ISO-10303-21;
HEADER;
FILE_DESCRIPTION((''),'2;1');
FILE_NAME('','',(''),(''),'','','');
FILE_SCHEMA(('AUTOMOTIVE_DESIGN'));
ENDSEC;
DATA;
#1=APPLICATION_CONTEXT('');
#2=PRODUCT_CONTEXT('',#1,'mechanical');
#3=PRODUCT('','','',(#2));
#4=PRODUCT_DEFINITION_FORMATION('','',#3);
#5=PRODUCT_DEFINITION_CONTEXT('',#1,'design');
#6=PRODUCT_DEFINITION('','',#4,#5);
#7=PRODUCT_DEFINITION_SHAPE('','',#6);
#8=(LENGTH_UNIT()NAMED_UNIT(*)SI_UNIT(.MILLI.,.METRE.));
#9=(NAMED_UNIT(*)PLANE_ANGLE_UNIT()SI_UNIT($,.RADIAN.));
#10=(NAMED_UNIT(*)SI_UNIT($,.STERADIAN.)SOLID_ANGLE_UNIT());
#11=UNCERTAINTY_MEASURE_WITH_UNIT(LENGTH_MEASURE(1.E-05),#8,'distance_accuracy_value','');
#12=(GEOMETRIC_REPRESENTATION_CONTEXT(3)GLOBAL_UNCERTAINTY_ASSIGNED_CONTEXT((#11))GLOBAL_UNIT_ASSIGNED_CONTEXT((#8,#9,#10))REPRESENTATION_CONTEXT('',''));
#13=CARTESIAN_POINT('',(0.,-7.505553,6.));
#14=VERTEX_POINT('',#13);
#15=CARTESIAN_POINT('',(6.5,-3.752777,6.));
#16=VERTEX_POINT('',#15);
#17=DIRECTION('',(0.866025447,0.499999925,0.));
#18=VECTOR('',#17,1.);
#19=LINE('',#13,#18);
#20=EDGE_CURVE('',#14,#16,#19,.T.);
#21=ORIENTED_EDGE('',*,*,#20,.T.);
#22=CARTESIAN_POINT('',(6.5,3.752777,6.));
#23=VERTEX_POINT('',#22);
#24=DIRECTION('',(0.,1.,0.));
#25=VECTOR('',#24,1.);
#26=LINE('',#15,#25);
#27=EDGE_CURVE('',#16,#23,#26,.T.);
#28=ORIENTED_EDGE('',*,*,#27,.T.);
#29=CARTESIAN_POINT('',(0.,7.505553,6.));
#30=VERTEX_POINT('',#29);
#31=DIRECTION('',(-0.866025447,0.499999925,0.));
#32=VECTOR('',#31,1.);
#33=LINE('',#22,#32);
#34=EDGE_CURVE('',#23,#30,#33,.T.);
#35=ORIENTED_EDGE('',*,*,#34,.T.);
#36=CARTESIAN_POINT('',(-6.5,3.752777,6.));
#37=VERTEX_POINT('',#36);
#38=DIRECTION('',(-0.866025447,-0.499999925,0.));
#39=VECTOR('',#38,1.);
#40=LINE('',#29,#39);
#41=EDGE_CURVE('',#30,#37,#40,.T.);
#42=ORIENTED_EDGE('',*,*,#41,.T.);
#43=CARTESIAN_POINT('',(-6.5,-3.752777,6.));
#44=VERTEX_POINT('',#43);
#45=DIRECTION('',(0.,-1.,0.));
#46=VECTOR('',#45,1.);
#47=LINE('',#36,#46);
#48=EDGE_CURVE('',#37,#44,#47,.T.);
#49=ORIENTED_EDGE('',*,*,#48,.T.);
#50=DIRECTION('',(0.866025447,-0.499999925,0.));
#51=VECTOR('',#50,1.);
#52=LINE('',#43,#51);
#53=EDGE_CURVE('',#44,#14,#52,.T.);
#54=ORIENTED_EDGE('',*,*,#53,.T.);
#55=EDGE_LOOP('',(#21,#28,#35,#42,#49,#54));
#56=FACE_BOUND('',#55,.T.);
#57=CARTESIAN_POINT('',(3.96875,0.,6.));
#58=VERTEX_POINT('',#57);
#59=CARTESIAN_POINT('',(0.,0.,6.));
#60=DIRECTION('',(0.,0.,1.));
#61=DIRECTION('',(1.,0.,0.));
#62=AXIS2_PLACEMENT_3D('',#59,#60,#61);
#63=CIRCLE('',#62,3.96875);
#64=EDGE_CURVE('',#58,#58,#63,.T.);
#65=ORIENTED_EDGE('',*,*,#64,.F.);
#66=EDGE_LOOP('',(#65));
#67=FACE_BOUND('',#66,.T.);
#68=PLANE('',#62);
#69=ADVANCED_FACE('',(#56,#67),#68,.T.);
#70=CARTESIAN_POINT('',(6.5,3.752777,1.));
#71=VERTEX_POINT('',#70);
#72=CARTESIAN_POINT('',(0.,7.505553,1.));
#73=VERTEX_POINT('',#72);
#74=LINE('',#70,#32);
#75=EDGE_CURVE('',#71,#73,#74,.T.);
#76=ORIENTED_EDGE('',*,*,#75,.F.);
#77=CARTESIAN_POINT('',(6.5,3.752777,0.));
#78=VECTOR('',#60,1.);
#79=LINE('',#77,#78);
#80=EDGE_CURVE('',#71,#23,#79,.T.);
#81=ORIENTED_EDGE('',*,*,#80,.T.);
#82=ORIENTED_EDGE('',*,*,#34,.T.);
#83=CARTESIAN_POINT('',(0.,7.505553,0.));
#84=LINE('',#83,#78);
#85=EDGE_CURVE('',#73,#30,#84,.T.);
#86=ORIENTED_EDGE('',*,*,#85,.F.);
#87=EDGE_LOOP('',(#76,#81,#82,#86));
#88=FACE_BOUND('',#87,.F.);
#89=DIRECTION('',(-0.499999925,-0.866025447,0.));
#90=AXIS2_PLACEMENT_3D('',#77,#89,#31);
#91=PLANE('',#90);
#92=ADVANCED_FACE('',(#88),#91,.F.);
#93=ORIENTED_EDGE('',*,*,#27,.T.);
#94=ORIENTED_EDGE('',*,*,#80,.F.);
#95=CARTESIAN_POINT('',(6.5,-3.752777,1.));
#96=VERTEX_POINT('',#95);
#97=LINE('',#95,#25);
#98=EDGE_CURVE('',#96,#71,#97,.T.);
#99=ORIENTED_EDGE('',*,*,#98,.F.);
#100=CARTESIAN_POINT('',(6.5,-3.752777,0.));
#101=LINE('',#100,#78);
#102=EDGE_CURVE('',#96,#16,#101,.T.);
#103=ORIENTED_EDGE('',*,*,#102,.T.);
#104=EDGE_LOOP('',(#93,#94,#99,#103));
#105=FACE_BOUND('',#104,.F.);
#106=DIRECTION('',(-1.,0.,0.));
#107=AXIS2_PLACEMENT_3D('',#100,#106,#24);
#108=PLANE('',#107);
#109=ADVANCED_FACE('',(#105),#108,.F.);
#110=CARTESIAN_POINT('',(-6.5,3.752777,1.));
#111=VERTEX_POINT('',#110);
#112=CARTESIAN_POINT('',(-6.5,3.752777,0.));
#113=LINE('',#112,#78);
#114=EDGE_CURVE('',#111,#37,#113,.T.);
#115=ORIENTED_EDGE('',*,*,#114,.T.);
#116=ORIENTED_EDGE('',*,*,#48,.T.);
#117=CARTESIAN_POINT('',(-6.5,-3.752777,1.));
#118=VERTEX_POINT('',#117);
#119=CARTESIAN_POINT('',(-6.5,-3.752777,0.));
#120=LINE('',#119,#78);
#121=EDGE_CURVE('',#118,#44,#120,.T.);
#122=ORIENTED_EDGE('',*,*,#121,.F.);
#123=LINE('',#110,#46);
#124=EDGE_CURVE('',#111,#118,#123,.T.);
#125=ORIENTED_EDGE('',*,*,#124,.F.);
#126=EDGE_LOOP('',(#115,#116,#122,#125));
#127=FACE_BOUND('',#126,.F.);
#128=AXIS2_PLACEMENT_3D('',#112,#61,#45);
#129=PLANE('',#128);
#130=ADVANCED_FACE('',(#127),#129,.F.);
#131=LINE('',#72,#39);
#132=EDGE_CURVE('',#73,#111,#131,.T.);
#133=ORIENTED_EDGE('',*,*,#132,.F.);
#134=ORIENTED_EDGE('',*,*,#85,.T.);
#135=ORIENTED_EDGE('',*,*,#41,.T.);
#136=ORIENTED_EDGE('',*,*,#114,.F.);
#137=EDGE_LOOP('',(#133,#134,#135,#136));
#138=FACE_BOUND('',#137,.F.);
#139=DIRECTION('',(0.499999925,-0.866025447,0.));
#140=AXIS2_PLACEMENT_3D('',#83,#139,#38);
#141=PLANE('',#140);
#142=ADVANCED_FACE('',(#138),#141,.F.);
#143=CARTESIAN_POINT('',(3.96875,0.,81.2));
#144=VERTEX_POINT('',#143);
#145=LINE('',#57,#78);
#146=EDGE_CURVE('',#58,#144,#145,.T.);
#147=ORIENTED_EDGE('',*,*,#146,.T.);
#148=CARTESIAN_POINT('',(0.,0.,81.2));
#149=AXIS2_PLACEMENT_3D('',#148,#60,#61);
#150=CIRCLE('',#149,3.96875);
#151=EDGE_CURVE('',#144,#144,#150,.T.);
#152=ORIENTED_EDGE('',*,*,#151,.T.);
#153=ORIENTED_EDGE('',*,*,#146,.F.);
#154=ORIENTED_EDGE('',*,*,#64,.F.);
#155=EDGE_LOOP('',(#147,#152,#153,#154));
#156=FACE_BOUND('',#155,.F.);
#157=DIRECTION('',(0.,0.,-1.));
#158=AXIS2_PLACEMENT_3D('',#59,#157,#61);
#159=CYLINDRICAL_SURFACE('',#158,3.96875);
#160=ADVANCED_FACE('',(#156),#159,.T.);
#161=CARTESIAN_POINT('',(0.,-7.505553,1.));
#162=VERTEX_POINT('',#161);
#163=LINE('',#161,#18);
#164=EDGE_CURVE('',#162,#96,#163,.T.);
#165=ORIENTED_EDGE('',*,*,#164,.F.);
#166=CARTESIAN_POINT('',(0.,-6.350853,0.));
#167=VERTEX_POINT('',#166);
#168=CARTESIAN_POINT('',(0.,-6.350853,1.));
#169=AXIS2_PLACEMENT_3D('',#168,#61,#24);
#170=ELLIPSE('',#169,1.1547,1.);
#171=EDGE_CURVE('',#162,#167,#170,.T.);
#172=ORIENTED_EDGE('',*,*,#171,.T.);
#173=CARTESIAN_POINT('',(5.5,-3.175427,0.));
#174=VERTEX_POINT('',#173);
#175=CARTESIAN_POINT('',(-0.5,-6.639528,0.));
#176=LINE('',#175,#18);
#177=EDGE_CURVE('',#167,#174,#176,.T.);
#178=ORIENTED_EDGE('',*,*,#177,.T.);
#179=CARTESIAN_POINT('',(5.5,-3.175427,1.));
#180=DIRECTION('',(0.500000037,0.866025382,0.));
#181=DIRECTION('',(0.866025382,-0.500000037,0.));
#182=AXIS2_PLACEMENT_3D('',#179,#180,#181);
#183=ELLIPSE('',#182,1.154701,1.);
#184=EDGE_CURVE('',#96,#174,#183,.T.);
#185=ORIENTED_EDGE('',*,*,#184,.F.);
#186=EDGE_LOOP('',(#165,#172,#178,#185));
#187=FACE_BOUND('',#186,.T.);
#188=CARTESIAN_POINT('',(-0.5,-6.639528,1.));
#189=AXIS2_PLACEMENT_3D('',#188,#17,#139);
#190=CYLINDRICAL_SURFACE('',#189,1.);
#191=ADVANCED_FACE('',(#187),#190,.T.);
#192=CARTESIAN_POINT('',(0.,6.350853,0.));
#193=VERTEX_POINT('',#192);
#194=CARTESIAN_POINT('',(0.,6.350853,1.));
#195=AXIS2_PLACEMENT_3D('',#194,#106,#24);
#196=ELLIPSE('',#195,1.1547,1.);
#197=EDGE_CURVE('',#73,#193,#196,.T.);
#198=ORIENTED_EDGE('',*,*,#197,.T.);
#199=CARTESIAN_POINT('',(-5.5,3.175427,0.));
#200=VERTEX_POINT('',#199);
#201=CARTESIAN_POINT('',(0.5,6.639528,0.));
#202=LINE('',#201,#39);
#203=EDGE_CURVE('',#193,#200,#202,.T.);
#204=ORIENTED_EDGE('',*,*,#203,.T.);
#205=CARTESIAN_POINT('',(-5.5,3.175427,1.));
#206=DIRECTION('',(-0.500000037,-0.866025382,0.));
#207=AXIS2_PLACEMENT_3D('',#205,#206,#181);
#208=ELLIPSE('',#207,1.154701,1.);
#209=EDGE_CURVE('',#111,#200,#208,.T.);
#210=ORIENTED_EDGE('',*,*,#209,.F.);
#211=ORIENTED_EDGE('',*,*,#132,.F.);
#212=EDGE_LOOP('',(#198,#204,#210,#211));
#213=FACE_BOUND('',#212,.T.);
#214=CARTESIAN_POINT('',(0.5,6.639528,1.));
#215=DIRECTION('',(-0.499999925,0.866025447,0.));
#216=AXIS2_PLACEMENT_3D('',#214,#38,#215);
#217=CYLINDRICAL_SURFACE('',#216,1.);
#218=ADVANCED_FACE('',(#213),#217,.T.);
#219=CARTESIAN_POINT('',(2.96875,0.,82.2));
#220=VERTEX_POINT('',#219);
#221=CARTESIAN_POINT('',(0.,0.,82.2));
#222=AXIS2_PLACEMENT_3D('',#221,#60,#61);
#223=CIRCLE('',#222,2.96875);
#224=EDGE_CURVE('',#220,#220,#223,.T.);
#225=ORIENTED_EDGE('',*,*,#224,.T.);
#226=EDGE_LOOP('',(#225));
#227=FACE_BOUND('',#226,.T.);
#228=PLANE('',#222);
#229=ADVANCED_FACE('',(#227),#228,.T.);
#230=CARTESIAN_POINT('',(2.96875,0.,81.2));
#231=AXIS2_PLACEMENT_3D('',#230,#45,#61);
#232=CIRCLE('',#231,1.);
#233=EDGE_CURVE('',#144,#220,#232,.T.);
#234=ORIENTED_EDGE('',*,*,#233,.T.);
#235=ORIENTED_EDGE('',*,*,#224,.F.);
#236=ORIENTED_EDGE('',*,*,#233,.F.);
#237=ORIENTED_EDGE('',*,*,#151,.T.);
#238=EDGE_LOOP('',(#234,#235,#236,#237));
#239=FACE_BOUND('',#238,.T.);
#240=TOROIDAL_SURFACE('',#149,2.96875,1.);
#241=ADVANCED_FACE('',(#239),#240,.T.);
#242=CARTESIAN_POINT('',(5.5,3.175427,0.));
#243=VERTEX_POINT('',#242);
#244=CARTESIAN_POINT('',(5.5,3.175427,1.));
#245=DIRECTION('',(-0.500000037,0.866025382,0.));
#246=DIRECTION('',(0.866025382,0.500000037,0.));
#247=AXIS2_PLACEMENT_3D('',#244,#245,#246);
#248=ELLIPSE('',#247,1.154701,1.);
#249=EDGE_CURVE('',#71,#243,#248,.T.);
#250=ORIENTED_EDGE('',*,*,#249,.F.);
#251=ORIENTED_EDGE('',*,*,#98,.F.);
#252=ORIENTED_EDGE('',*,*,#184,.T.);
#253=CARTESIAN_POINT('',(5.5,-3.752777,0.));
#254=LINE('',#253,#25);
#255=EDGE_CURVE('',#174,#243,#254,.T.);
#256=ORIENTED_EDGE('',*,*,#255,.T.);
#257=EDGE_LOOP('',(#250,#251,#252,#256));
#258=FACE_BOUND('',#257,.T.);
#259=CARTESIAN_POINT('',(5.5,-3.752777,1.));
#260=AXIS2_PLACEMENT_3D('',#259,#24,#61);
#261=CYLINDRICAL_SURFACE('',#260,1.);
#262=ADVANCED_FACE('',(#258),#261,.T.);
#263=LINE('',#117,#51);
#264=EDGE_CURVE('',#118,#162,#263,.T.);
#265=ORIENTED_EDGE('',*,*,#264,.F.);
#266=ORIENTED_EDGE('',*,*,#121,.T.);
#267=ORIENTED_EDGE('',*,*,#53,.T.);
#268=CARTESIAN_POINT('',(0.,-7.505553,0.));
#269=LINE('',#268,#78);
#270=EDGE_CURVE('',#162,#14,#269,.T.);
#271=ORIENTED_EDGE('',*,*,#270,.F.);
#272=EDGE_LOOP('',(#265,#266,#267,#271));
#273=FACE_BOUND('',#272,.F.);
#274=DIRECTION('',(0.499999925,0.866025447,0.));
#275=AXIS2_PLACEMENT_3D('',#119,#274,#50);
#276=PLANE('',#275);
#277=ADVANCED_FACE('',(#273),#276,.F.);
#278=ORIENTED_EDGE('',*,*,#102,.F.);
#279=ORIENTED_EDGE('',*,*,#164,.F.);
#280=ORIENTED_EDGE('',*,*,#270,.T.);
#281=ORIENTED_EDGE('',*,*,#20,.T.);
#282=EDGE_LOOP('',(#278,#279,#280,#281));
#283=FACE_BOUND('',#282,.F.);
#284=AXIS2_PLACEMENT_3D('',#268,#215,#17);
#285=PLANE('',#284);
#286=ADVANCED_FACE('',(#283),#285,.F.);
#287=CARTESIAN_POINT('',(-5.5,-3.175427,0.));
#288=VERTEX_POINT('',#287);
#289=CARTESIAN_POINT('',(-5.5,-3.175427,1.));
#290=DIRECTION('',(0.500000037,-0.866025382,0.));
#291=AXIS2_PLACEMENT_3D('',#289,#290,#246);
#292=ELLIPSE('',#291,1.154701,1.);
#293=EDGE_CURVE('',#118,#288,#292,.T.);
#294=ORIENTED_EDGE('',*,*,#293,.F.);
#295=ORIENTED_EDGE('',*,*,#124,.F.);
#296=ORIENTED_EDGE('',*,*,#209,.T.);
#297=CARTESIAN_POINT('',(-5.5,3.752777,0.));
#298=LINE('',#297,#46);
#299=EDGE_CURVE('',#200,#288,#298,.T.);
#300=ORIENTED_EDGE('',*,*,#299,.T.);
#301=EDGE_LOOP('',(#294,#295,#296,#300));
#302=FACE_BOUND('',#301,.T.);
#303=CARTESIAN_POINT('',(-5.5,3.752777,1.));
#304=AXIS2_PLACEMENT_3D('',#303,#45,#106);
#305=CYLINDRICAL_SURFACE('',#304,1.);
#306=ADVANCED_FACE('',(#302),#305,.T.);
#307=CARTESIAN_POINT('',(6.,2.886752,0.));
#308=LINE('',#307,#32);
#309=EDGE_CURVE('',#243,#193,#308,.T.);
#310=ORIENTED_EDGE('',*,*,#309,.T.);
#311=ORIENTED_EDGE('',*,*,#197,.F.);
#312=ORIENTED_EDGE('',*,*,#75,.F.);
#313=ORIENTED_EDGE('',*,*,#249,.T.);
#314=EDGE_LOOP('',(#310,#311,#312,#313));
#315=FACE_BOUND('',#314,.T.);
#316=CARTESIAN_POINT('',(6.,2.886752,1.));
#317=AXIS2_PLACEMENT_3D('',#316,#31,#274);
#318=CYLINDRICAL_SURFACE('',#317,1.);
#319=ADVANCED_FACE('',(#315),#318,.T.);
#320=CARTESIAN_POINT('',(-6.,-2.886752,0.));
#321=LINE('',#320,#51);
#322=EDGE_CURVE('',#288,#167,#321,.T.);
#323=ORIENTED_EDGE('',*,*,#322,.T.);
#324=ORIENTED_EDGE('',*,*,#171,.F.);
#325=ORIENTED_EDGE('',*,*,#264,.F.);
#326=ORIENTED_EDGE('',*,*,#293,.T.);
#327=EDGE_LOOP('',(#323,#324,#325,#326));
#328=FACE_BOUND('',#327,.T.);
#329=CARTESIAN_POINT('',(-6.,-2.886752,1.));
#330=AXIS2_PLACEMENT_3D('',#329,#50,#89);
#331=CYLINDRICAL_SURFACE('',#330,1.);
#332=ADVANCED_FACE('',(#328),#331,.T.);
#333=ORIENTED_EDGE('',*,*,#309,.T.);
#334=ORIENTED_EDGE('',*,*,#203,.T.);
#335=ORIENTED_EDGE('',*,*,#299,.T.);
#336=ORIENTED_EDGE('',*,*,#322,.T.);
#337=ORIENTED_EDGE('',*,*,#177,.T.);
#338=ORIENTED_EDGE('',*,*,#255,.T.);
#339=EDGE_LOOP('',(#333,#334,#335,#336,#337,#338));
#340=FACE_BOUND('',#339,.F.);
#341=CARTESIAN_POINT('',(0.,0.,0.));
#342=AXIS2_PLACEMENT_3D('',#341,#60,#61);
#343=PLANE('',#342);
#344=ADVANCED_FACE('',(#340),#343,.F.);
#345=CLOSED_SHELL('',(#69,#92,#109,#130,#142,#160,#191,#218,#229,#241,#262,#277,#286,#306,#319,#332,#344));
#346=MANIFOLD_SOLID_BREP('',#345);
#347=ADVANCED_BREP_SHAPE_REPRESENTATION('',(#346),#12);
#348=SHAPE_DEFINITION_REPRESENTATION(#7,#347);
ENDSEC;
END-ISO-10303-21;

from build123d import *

# Parameters (mm, degrees)
SKETCH001_R      = 3.96875
EXTRUDE001_DEPTH = 76.2
EXTRUDE_DEPTH    = 6
FILLET_R         = 1
FILLET001_R      = 1


with BuildPart() as extrude001:
    # Sketch001 (on Face8 of Extrude) → Extrude001 (new body)
    with BuildSketch(Plane.XY.offset(6)):
        Circle(SKETCH001_R)
    extrude(amount=EXTRUDE001_DEPTH)


with BuildPart() as fillet001:
    # Sketch → Extrude (new body)
    with BuildSketch(Plane.XY):
        Polygon((0, -7.505553), (6.5, -3.752777), (6.5, 3.752777), (0, 7.505553), (-6.5, 3.752777), (-6.5, -3.752777), align=None)
    extrude(amount=EXTRUDE_DEPTH)

    # Fusion: union Extrude001
    add(extrude001.part)

    # Fillet
    fillet_edges = [fillet001.edges().sort_by_distance(p)[0] for p in [
        (-3.96875, 0, 82.2),
    ]]
    fillet(fillet_edges, radius=FILLET_R)

    # Fillet001
    fillet001_edges = [fillet001.edges().sort_by_distance(p)[0] for p in [
        (3.25, -5.629165, 0),
        (-3.25, -5.629165, 0),
        (6.5, 0, 0),
        (-6.5, 0, 0),
        (3.25, 5.629165, 0),
        (-3.25, 5.629165, 0),
    ]]
    fillet(fillet001_edges, radius=FILLET001_R)


solid = fillet001.part
